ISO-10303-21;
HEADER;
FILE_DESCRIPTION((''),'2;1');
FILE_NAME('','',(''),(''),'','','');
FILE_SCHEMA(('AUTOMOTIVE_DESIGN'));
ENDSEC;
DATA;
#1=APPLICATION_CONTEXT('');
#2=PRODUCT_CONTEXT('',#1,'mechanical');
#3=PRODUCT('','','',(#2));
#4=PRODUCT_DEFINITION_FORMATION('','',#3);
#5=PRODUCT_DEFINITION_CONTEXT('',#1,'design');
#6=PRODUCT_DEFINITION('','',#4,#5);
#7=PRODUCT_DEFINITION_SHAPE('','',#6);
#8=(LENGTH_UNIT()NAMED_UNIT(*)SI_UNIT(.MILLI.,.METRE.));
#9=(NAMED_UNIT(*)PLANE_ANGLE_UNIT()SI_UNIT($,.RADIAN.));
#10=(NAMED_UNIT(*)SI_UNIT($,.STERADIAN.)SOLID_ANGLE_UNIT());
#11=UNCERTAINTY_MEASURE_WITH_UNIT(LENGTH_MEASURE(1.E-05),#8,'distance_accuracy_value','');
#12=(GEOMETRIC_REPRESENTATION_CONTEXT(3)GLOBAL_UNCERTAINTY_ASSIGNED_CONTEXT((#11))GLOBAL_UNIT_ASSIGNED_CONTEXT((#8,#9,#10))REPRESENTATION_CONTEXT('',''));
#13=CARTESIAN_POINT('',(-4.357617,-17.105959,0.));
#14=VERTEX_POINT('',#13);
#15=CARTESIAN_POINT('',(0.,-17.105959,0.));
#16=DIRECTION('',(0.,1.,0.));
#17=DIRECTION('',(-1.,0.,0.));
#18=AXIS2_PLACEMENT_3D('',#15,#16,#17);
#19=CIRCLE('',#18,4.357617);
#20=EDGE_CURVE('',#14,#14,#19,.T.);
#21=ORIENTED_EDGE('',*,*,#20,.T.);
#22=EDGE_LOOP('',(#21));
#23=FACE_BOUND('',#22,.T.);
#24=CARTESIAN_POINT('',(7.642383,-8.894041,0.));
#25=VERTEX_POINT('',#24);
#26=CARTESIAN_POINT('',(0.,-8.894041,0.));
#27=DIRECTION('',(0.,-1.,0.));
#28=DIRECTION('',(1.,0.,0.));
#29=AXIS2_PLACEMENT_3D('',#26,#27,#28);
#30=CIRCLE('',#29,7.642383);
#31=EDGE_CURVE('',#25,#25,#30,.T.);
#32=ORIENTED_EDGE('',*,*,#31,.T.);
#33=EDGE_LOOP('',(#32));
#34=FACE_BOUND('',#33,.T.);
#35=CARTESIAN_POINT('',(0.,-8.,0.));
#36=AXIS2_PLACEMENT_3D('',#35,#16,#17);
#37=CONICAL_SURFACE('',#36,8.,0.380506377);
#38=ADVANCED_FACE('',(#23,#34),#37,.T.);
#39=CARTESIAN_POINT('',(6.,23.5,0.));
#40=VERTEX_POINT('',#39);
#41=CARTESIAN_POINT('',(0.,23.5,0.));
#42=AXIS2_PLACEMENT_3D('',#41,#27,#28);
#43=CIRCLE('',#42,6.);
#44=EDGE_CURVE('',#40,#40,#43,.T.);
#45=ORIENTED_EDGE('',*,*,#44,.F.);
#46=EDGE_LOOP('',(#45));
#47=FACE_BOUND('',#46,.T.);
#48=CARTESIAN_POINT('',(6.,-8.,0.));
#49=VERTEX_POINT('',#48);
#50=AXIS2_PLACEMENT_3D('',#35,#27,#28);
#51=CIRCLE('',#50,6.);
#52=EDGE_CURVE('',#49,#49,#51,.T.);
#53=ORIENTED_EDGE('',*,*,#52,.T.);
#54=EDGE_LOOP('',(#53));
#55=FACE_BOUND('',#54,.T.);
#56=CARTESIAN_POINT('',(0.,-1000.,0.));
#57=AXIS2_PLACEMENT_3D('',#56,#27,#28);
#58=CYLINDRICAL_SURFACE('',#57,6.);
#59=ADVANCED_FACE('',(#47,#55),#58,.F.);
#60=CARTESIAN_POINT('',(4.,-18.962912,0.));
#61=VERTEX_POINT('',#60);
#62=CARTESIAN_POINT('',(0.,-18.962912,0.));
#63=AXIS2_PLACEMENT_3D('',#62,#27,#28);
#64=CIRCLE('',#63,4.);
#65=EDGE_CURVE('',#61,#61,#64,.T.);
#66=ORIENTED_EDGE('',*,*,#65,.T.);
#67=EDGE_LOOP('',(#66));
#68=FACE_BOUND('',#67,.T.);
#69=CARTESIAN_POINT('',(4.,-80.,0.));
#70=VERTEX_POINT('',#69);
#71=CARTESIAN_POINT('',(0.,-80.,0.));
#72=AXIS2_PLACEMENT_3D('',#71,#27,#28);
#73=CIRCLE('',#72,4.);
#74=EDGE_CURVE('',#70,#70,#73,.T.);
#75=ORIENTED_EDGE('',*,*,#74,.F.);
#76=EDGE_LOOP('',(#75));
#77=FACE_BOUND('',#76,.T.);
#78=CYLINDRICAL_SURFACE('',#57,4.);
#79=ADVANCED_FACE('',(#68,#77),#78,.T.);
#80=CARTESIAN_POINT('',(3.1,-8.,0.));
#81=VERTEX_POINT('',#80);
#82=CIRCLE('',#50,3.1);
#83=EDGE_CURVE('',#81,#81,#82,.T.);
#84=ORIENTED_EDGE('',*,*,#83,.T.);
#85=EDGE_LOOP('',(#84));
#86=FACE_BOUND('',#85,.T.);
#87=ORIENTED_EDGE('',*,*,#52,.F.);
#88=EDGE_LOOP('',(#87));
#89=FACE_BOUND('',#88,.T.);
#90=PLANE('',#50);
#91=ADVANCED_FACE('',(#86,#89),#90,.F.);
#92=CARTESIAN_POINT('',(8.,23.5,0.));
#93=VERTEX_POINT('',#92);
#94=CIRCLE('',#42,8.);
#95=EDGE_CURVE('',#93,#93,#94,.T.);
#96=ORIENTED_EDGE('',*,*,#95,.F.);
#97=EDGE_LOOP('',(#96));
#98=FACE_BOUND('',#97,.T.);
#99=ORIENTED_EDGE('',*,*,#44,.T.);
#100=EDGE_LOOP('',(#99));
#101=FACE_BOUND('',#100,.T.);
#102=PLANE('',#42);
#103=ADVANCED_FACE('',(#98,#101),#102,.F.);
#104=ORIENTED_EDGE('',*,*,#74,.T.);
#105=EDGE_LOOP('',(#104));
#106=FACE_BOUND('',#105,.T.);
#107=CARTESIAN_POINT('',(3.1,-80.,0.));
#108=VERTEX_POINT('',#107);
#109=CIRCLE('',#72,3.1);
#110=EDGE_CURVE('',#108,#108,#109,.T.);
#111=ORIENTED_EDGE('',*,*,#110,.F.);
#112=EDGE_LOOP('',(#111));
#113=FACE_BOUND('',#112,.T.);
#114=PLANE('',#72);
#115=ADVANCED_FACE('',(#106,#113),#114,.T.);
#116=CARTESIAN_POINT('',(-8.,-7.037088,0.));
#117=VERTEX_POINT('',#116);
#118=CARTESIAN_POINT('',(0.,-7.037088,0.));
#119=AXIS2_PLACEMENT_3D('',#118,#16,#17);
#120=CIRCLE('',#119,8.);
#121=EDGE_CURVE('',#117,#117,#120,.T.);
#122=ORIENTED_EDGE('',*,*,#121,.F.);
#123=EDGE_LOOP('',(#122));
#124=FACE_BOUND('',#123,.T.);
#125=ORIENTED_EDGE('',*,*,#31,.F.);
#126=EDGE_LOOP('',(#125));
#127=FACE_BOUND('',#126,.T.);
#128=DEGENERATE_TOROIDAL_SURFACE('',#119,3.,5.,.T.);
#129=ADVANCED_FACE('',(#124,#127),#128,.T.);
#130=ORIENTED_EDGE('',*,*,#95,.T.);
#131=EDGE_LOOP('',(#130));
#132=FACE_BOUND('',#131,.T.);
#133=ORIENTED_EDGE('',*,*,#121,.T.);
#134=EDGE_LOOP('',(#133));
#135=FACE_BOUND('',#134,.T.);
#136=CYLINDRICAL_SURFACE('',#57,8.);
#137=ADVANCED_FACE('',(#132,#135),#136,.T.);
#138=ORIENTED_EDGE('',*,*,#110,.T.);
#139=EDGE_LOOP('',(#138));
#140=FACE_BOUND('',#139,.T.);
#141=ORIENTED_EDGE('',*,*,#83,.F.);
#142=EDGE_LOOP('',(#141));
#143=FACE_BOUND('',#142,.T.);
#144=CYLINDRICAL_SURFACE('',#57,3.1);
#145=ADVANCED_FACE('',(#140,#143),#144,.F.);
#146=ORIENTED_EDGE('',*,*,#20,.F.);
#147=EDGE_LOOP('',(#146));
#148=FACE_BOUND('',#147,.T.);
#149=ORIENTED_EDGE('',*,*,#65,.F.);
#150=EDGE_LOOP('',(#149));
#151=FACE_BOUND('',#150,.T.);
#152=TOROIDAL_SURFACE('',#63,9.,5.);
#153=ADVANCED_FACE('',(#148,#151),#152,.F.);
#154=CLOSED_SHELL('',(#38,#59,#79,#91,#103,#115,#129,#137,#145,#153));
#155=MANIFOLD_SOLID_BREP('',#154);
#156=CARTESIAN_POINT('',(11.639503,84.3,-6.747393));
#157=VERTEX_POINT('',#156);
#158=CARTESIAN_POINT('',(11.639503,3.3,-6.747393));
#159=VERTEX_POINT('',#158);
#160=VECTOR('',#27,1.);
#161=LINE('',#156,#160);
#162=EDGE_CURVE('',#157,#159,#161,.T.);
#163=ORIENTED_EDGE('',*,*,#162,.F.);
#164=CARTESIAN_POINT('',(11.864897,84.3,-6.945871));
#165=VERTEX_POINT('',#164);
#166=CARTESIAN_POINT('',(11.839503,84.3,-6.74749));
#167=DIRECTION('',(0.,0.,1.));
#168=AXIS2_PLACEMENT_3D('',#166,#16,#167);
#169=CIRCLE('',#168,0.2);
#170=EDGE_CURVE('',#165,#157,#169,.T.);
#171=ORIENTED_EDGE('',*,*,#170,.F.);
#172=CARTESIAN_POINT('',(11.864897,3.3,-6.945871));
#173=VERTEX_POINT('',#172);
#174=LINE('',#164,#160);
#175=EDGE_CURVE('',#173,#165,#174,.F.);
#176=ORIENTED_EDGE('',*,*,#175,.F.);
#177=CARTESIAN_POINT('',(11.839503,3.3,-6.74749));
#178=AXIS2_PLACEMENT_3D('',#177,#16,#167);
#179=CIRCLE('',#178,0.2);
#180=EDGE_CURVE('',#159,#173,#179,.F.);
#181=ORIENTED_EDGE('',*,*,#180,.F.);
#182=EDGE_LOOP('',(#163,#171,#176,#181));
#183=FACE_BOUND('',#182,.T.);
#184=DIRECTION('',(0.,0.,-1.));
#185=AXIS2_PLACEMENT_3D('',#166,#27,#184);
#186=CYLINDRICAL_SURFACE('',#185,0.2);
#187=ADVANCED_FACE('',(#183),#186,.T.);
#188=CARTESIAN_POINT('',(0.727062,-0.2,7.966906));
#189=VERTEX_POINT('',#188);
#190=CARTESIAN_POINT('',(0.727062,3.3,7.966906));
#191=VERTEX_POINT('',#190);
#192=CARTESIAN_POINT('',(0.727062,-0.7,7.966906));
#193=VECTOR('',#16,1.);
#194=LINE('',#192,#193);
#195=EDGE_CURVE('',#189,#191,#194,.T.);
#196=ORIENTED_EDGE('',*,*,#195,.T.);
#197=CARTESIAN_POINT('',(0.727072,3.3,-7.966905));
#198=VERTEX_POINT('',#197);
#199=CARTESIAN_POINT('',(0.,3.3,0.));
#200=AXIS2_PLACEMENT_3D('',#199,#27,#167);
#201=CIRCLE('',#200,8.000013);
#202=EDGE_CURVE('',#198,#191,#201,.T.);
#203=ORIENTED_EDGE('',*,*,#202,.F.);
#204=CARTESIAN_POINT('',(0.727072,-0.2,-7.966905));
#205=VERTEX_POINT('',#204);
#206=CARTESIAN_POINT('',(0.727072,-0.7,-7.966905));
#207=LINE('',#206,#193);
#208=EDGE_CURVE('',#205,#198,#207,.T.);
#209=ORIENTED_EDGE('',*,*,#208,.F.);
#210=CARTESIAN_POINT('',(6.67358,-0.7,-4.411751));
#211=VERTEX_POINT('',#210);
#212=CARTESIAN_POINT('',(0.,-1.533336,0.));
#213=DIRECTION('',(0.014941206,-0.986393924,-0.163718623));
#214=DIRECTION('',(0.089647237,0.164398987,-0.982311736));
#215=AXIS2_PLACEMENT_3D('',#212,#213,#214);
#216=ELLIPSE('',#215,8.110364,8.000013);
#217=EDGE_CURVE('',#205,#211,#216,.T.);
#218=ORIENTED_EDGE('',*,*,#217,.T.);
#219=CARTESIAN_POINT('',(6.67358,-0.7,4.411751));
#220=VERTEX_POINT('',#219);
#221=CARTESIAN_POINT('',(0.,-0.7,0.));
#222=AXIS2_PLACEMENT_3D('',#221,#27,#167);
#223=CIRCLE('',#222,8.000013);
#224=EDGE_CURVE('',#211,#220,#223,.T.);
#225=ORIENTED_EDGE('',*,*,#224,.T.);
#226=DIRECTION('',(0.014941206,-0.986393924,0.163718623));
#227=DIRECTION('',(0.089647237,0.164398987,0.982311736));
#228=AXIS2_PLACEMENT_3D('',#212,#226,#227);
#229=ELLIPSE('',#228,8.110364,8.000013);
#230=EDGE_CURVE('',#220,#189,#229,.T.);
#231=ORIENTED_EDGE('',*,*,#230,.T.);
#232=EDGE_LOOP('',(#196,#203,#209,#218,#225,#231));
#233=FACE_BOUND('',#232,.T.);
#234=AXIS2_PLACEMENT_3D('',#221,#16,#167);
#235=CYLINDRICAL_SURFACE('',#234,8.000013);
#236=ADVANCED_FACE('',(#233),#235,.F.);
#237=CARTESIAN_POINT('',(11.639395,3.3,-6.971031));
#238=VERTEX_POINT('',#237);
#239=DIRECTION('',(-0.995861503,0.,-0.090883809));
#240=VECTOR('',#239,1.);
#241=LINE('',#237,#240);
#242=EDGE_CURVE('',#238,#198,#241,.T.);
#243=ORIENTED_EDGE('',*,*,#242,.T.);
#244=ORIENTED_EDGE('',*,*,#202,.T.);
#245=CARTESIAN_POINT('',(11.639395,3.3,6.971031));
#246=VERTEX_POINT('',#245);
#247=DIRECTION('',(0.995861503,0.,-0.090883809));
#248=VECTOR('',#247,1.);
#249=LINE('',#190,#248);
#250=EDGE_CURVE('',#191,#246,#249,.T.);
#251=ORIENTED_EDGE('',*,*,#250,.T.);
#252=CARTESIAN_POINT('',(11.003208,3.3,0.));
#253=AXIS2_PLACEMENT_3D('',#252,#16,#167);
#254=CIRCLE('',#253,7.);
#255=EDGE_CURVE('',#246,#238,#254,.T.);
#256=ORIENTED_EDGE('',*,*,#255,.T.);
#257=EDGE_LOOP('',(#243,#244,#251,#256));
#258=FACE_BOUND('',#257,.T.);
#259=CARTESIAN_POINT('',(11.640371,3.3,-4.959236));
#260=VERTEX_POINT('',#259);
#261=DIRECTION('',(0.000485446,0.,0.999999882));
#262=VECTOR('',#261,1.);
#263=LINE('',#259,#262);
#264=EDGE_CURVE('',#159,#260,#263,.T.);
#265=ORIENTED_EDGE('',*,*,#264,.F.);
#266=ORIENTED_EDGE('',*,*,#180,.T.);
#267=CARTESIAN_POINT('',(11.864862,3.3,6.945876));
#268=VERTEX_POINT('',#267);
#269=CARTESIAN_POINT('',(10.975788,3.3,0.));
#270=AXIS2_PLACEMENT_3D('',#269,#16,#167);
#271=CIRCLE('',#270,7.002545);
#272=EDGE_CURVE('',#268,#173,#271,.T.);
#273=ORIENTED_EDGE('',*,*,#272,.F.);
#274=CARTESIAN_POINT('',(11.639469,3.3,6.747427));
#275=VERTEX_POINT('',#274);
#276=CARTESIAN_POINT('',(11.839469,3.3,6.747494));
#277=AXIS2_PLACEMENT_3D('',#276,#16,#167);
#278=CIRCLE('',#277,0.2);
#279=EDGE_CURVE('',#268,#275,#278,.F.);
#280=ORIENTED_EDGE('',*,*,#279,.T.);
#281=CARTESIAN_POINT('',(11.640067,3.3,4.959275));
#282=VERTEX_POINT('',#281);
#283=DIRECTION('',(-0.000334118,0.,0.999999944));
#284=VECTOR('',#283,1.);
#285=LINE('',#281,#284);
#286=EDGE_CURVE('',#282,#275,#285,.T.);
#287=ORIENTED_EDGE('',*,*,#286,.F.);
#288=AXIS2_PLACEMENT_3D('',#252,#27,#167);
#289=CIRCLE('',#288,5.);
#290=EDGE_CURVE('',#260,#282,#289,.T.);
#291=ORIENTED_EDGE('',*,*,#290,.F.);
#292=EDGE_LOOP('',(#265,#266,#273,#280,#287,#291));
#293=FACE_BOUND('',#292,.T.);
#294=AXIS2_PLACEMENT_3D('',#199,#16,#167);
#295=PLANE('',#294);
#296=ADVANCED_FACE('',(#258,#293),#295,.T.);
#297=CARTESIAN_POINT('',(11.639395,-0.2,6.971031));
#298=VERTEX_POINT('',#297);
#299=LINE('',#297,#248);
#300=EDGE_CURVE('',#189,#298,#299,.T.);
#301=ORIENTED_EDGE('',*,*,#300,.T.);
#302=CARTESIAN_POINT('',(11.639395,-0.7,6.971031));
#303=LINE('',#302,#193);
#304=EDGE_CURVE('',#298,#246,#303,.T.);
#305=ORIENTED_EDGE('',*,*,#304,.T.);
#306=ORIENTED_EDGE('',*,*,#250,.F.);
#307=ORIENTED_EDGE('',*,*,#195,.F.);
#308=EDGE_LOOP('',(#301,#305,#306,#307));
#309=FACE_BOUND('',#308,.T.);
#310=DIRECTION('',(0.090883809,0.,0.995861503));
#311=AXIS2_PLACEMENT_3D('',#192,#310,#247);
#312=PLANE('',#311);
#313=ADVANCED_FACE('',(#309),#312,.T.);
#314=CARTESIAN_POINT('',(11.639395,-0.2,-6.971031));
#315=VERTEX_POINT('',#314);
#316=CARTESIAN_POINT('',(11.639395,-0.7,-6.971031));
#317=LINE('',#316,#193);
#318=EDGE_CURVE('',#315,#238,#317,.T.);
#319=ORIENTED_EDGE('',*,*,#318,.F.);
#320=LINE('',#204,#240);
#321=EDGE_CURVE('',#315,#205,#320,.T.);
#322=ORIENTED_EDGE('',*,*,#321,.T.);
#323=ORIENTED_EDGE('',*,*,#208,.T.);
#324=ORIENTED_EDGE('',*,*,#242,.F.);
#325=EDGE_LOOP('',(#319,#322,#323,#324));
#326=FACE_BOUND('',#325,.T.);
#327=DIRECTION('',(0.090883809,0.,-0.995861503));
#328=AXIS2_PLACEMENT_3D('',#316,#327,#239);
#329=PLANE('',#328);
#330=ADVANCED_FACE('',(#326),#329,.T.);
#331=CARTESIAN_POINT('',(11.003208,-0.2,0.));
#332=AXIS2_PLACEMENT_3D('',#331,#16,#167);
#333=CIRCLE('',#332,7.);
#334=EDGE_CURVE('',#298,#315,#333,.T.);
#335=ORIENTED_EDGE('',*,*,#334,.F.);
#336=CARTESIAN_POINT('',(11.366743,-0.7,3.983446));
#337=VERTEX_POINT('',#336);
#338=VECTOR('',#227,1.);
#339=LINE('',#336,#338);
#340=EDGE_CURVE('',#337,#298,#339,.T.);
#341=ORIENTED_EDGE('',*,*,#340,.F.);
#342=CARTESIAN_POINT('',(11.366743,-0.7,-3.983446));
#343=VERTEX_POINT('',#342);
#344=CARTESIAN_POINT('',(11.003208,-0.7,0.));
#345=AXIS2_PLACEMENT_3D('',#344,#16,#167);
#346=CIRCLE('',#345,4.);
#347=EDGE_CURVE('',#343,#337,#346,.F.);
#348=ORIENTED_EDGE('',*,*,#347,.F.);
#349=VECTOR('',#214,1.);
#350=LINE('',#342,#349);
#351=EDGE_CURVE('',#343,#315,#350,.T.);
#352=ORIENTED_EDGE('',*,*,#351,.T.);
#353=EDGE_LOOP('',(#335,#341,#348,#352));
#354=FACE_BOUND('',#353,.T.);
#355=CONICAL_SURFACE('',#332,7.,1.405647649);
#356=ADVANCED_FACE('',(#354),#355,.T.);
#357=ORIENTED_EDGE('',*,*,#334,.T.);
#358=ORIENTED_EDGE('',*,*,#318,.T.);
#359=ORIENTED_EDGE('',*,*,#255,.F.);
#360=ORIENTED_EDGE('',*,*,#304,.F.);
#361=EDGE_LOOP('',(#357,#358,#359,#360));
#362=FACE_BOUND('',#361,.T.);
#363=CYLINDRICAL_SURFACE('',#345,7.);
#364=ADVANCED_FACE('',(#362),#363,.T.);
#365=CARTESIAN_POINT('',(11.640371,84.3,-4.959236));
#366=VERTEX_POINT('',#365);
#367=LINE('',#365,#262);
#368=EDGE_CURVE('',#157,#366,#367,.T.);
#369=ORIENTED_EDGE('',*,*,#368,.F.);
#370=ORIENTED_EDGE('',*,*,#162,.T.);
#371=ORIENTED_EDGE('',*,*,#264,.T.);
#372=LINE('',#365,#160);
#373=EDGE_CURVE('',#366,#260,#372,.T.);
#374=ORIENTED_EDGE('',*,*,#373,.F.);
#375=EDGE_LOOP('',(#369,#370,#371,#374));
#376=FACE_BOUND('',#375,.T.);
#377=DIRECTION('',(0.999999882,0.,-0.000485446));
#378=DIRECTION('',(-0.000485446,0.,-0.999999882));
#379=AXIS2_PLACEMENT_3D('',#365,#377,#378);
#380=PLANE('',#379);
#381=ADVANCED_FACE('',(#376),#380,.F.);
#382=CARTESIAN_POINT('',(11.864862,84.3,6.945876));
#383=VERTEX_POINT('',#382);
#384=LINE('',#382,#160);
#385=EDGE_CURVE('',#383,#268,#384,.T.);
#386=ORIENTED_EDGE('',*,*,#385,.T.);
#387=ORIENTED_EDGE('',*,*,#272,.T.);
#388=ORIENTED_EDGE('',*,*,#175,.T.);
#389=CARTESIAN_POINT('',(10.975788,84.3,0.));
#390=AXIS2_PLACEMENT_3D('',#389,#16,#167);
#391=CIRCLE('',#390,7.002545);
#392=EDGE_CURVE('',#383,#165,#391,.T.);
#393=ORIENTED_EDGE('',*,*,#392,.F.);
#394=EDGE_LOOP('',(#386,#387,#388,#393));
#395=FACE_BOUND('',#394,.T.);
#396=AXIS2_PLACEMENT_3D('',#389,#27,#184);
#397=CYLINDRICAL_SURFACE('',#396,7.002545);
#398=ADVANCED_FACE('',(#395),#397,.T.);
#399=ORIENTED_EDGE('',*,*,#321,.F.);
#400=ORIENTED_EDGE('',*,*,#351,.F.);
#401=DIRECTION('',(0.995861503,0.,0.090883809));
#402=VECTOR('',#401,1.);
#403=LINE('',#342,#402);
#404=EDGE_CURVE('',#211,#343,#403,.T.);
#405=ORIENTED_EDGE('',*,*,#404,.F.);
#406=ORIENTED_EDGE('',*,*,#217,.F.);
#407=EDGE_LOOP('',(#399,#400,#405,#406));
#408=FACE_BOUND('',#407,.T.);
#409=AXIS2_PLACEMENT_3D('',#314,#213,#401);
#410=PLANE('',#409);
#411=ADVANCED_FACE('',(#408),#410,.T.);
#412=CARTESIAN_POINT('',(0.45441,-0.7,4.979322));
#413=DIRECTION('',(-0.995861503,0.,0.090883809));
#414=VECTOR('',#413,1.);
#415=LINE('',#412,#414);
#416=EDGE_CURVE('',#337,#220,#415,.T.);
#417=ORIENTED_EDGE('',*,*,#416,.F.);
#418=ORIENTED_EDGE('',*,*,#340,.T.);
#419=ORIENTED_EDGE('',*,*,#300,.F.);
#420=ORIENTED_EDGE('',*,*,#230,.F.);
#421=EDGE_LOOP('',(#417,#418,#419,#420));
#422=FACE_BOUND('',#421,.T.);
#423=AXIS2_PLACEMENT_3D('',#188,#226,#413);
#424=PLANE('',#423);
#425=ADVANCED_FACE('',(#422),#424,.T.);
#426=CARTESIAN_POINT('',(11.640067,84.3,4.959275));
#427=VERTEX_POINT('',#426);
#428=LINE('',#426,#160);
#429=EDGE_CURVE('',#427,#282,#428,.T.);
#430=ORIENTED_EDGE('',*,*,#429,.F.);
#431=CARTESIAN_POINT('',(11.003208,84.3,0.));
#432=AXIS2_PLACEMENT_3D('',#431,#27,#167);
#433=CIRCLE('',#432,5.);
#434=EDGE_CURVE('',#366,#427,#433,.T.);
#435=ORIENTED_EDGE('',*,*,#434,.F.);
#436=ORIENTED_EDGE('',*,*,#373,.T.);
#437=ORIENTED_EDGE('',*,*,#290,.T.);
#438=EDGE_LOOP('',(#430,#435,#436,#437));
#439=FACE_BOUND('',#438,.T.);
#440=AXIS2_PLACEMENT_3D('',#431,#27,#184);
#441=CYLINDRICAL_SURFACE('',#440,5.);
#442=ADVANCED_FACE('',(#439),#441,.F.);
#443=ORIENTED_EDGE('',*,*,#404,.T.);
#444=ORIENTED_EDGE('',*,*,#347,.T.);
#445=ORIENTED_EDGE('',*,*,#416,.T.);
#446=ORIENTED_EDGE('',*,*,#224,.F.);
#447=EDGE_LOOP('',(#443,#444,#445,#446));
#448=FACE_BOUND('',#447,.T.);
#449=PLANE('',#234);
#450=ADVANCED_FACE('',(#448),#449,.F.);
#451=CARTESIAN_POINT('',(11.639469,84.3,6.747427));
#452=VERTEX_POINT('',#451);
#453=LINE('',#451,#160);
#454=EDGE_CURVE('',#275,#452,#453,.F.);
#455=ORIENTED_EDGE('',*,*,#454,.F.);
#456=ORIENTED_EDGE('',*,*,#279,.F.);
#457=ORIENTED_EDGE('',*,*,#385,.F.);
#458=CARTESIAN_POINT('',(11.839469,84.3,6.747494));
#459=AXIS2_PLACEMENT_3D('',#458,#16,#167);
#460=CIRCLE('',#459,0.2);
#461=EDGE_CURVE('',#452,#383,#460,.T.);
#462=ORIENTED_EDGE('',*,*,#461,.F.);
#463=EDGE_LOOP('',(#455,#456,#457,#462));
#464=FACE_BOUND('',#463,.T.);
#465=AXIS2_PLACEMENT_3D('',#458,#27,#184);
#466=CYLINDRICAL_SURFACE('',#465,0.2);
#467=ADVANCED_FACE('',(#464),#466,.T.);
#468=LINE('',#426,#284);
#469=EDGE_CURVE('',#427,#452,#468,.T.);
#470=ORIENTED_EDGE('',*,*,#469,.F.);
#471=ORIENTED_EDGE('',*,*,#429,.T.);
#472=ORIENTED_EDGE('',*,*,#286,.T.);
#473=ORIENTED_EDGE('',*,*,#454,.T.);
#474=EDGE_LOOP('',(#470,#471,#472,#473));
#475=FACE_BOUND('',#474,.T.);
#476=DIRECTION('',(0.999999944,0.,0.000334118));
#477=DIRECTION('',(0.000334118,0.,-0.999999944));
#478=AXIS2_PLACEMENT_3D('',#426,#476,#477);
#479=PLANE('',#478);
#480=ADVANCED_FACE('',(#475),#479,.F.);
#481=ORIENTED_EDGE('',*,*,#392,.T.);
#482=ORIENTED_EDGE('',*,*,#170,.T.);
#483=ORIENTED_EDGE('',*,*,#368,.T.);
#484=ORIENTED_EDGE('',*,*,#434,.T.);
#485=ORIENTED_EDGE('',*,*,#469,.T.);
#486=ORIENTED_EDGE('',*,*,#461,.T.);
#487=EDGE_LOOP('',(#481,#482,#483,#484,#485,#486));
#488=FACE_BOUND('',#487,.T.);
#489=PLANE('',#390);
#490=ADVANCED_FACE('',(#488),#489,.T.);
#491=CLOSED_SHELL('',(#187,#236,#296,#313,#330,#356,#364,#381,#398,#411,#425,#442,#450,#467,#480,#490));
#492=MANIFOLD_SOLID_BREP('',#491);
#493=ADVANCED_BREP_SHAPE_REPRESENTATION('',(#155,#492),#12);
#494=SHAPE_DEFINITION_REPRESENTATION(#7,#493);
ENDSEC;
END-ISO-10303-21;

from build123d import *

# Parameters (mm, degrees)
FILLET_1_R      = 5
EXTRUDE_1_DEPTH = 4
CHAMFER_1_SIZE  = 3
CHAMFER_1_SIZE2 = 0.5
EXTRUDE_2_DEPTH = 81
FILLET_2_R      = 0.2


with BuildPart() as part:
    # Эскиз1 → Повернуть1 (revolve)
    with BuildSketch(Plane.XY):
        Polygon((8, 23.5), (8, -8), (4, -18), (4, -80), (3.1, -80), (3.1, -8), (6, -8), (6, 23.5), align=None)
    revolve(axis=Axis((0, -1000, 0), (0, 1, 0)))

    # Скругление1
    fillet_1_edges = [part.edges().sort_by_distance(p)[0] for p in [
        (-8, -8, 0),
        (-4, -18, 0),
    ]]
    fillet(fillet_1_edges, radius=FILLET_1_R)


with BuildPart() as body_2:
    # Эскиз2 → Бобышка-Вытянуть1 (new body)
    with BuildSketch(Plane(origin=(0, 3.3, 0), x_dir=(1, 0, 0), z_dir=(0, 1, 0))):
        with BuildLine():
            Line((11.639394602, 6.971030521), (0.727071693, 7.966905416))
            ThreePointArc((0.727071693, 7.966905416), (8.000013447, -4.909e-06), (0.727061916, -7.966906308))
            Line((0.727061916, -7.966906308), (11.639394602, -6.971030521))
            ThreePointArc((11.639394602, -6.971030521), (18.00320794, 0), (11.639394602, 6.971030521))
        make_face()
    extrude(amount=-EXTRUDE_1_DEPTH)

    # Фаска1
    chamfer_1_edges = [body_2.edges().sort_by_distance(p)[0] for p in [
        (18.00320794, -0.7, 0),
        (6.183233147, -0.7, -7.468967969),
        (6.183228259, -0.7, 7.468968415),
    ]]
    chamfer_1_side = [body_2.faces().sort_by_distance(p)[0] for p in [
        (11.436559393, -0.7, 0),
    ]]
    chamfer(chamfer_1_edges, length=CHAMFER_1_SIZE, length2=CHAMFER_1_SIZE2, reference=chamfer_1_side[0])

    # Эскиз3 → Бобышка-Вытянуть2 (add)
    with BuildSketch(Plane(origin=(0, 3.3, 0), x_dir=(1, 0, 0), z_dir=(0, 1, 0))):
        with BuildLine():
            Line((11.64037122, 4.959236126), (11.639394602, 6.971030521))
            ThreePointArc((11.639394602, 6.971030521), (17.978333284, 0), (11.639394602, -6.971030521))
            Line((11.639394602, -6.971030521), (11.640066766, -4.959275233))
            ThreePointArc((11.640066766, -4.959275233), (16.003207938, -0.000153478), (11.64037122, 4.959236126))
        make_face()
    extrude(amount=EXTRUDE_2_DEPTH)

    # Скругление2
    fillet_2_edges = [body_2.edges().sort_by_distance(p)[0] for p in [
        (11.639394602, 43.8, 6.971030521),
        (11.639394602, 43.8, -6.971030521),
    ]]
    fillet(fillet_2_edges, radius=FILLET_2_R)


solid = Compound([part.part, body_2.part])
